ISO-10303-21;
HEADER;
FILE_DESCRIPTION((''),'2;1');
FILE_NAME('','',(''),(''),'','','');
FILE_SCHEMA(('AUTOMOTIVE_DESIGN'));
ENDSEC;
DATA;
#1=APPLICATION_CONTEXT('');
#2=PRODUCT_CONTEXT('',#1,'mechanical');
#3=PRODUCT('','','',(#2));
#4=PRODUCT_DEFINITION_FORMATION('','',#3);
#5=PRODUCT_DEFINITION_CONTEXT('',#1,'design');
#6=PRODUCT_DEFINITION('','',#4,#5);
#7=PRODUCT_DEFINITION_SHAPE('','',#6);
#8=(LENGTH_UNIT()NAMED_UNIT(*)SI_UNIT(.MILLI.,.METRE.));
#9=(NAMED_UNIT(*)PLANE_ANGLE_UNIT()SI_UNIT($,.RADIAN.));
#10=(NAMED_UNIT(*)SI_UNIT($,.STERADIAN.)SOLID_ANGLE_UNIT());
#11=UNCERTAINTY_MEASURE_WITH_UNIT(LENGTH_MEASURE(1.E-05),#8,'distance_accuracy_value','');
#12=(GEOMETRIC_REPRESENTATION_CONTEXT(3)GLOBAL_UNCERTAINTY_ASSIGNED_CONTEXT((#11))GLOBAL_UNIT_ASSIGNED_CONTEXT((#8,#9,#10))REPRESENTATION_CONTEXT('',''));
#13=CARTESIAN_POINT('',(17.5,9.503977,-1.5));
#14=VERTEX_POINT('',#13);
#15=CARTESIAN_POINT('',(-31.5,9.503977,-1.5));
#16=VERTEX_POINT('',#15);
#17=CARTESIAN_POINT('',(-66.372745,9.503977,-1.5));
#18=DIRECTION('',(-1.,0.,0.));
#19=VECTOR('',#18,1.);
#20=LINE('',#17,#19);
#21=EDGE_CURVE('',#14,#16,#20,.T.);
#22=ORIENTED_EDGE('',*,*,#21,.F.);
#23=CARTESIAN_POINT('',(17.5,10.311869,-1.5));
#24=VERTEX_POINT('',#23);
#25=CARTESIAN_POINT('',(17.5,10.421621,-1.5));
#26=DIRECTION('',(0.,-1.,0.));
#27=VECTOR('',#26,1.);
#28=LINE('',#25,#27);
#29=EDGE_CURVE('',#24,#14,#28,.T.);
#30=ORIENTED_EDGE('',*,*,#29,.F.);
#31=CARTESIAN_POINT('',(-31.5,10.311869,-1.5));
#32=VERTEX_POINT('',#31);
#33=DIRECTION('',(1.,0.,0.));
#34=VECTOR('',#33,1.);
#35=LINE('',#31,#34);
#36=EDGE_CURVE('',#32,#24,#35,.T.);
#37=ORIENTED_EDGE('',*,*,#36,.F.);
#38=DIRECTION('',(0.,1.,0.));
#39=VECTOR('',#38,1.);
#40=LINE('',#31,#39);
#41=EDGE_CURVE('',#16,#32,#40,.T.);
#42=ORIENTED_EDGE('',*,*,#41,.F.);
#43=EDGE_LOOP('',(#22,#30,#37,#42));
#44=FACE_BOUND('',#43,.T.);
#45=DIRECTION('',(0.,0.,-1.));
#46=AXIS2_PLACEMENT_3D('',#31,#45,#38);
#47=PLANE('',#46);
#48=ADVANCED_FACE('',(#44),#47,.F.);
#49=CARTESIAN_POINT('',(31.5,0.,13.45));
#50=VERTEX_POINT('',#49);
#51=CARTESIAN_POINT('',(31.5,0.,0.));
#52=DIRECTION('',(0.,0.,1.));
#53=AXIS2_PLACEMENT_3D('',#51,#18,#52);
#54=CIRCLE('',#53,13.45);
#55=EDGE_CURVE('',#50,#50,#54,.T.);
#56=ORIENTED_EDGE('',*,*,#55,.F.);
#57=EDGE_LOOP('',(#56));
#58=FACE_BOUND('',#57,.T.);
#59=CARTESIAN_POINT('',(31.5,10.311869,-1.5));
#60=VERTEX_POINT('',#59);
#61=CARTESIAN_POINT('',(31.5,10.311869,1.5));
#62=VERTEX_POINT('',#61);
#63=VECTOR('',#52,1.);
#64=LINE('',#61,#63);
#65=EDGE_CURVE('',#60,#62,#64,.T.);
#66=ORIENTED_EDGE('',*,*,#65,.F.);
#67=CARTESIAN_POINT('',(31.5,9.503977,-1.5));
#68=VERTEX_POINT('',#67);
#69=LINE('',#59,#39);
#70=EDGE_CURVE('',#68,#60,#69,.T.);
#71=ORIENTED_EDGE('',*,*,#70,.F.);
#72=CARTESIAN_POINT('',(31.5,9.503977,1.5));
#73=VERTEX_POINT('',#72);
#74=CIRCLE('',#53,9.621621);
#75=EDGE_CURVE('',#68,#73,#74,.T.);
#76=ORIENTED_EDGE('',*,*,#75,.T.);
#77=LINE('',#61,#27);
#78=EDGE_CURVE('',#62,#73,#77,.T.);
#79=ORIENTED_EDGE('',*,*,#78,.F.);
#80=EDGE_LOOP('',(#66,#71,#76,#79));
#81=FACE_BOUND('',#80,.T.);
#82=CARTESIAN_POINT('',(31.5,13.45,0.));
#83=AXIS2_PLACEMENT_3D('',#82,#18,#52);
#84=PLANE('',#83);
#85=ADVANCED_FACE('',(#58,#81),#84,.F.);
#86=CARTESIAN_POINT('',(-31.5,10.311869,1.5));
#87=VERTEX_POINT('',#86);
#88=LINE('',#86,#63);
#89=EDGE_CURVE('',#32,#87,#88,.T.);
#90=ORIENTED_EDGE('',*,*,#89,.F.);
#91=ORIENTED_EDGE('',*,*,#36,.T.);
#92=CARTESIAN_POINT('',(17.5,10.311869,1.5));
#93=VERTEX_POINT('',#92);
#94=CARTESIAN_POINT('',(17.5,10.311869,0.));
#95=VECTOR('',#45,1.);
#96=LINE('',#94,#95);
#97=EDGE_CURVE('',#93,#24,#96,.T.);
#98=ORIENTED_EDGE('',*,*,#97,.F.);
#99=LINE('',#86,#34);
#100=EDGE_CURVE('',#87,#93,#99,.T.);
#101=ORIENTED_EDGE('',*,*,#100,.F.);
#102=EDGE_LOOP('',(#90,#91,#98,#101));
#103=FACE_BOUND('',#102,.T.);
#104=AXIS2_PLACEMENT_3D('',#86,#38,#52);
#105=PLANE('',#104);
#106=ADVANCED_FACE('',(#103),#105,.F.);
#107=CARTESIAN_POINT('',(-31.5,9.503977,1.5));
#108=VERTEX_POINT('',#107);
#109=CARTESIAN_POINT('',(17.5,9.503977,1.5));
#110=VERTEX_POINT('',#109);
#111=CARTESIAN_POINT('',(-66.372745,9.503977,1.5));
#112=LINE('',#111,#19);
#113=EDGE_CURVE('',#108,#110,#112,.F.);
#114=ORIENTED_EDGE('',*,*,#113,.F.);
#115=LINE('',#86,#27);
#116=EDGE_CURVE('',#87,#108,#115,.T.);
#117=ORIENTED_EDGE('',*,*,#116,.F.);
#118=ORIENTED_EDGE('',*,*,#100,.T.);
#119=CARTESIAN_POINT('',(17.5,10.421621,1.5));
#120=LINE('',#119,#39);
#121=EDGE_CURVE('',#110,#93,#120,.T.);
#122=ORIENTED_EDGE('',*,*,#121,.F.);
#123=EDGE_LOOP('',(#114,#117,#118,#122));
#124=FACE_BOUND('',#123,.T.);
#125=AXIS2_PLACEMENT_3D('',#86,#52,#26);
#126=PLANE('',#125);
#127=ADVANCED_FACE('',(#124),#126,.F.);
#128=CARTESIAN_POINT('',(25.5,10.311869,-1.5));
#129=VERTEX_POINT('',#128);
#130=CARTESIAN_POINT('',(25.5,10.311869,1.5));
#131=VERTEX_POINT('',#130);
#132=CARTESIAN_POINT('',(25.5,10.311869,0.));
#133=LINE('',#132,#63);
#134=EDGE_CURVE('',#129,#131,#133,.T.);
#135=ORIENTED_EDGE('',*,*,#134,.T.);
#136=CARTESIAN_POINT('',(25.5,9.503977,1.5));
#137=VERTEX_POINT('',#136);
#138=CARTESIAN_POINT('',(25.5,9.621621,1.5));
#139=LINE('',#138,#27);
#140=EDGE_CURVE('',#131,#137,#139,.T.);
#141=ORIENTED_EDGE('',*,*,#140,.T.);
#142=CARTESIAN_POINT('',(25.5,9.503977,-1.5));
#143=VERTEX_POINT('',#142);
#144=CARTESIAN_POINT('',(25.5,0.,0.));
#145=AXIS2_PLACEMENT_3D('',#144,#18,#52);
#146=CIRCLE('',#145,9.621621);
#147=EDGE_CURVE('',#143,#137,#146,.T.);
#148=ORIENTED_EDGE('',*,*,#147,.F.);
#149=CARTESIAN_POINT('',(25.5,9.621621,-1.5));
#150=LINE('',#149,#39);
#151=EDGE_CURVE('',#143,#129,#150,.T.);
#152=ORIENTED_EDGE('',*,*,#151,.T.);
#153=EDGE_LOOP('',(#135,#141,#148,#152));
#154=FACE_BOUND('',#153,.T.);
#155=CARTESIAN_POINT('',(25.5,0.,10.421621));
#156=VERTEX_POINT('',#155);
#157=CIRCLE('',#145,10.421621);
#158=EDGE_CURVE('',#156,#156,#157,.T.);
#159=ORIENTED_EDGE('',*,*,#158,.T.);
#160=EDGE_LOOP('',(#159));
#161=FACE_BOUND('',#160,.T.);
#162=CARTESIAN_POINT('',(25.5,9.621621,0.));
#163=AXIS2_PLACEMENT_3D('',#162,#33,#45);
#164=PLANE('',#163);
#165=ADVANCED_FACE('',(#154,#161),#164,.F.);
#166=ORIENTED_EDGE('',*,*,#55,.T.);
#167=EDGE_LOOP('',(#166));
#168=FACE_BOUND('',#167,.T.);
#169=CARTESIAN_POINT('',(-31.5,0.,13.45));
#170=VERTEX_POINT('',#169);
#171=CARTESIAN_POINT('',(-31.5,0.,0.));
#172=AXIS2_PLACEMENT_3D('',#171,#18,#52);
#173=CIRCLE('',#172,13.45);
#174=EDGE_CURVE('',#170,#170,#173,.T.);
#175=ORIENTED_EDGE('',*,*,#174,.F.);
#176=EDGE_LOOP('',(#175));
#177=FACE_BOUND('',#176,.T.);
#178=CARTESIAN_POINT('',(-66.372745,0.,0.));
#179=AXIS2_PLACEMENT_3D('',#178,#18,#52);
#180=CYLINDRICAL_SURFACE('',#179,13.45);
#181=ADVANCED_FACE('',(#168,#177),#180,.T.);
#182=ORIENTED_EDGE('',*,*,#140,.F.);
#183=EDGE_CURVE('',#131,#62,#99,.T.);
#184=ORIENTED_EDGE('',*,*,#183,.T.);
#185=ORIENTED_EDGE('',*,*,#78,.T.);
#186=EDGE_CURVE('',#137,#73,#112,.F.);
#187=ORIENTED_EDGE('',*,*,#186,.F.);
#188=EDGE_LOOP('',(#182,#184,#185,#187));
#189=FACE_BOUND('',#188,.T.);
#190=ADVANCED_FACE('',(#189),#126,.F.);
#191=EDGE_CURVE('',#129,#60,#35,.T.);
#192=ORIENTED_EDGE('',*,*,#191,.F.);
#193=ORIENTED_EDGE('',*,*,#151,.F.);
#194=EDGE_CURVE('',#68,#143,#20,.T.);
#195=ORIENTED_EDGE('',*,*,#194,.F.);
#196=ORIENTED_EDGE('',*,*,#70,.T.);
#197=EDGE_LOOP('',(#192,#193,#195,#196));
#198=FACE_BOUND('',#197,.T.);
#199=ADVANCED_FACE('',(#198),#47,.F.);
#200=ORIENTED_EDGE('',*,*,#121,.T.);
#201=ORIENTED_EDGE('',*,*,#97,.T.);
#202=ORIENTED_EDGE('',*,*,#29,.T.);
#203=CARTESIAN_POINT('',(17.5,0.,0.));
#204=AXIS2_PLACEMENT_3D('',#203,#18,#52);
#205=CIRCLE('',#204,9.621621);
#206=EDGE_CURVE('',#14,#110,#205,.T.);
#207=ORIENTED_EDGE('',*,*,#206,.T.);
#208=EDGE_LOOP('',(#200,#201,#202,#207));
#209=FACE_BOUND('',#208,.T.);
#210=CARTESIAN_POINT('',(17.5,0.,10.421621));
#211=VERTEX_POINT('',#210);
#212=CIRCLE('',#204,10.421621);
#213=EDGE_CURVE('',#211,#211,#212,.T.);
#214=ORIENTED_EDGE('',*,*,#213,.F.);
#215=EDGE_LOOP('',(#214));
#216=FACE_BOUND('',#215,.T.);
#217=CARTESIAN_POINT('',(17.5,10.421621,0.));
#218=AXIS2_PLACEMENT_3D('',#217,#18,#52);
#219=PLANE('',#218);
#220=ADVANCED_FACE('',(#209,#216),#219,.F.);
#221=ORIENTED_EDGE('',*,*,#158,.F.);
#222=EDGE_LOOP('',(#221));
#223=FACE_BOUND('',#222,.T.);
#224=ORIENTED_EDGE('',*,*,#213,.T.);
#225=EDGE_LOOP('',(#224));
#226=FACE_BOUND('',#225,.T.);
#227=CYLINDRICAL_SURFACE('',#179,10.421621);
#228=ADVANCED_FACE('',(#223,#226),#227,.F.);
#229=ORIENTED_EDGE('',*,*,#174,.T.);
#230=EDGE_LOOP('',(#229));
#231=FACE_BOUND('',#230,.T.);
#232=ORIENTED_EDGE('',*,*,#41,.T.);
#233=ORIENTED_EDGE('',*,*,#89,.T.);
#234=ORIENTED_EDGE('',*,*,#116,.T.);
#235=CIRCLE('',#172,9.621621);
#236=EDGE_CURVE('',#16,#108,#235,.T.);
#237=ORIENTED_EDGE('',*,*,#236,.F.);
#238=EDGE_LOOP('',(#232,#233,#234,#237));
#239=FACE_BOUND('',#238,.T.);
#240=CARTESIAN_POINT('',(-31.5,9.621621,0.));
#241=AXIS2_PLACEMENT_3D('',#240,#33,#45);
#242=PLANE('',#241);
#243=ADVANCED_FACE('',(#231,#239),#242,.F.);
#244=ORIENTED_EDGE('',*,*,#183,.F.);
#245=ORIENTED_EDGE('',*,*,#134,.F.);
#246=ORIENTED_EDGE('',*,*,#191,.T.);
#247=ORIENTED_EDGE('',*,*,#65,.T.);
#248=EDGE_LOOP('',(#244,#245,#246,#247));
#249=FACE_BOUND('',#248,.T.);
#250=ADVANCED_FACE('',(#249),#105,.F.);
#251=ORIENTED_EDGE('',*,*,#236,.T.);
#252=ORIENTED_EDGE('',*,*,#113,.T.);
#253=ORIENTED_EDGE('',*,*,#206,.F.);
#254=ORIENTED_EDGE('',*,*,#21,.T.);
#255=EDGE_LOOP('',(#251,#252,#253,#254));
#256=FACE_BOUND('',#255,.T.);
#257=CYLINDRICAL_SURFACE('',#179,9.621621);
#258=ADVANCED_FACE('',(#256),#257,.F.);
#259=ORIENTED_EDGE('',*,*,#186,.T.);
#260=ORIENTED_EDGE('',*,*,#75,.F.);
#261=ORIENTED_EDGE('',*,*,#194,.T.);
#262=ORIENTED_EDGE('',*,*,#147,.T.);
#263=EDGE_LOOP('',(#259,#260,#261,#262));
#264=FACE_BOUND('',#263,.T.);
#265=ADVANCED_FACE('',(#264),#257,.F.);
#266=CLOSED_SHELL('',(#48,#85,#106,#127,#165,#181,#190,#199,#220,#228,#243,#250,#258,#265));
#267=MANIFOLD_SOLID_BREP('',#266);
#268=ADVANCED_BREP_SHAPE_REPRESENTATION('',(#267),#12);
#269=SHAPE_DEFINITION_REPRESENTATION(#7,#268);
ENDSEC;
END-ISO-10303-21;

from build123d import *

# Parameters (mm, degrees)
SKETCH3_W          = 3
SKETCH3_H          = 1.6
CUT_EXTRUDE1_DEPTH = 64


with BuildPart() as part:
    # Sketch1 → Revolve1 (revolve)
    with BuildSketch(Plane.XY):
        Polygon((-31.5, 13.45), (31.5, 13.45), (31.5, 9.62162085), (25.5, 9.62162085), (25.5, 10.42162085), (17.5, 10.42162085), (17.5, 9.62162085), (-31.5, 9.62162085), align=None)
    revolve(axis=Axis((-66.372744643, 0, 0), (1, 0, 0)))

    # Sketch3 → Cut-Extrude1 (cut, through all)
    with BuildSketch(Plane(origin=(31.5, 0, 0), x_dir=(0, 0, -1), z_dir=(1, 0, 0))):
        with Locations((0, 9.511869156)):
            Rectangle(SKETCH3_W, SKETCH3_H)
    extrude(amount=-CUT_EXTRUDE1_DEPTH, mode=Mode.SUBTRACT)


solid = part.part
